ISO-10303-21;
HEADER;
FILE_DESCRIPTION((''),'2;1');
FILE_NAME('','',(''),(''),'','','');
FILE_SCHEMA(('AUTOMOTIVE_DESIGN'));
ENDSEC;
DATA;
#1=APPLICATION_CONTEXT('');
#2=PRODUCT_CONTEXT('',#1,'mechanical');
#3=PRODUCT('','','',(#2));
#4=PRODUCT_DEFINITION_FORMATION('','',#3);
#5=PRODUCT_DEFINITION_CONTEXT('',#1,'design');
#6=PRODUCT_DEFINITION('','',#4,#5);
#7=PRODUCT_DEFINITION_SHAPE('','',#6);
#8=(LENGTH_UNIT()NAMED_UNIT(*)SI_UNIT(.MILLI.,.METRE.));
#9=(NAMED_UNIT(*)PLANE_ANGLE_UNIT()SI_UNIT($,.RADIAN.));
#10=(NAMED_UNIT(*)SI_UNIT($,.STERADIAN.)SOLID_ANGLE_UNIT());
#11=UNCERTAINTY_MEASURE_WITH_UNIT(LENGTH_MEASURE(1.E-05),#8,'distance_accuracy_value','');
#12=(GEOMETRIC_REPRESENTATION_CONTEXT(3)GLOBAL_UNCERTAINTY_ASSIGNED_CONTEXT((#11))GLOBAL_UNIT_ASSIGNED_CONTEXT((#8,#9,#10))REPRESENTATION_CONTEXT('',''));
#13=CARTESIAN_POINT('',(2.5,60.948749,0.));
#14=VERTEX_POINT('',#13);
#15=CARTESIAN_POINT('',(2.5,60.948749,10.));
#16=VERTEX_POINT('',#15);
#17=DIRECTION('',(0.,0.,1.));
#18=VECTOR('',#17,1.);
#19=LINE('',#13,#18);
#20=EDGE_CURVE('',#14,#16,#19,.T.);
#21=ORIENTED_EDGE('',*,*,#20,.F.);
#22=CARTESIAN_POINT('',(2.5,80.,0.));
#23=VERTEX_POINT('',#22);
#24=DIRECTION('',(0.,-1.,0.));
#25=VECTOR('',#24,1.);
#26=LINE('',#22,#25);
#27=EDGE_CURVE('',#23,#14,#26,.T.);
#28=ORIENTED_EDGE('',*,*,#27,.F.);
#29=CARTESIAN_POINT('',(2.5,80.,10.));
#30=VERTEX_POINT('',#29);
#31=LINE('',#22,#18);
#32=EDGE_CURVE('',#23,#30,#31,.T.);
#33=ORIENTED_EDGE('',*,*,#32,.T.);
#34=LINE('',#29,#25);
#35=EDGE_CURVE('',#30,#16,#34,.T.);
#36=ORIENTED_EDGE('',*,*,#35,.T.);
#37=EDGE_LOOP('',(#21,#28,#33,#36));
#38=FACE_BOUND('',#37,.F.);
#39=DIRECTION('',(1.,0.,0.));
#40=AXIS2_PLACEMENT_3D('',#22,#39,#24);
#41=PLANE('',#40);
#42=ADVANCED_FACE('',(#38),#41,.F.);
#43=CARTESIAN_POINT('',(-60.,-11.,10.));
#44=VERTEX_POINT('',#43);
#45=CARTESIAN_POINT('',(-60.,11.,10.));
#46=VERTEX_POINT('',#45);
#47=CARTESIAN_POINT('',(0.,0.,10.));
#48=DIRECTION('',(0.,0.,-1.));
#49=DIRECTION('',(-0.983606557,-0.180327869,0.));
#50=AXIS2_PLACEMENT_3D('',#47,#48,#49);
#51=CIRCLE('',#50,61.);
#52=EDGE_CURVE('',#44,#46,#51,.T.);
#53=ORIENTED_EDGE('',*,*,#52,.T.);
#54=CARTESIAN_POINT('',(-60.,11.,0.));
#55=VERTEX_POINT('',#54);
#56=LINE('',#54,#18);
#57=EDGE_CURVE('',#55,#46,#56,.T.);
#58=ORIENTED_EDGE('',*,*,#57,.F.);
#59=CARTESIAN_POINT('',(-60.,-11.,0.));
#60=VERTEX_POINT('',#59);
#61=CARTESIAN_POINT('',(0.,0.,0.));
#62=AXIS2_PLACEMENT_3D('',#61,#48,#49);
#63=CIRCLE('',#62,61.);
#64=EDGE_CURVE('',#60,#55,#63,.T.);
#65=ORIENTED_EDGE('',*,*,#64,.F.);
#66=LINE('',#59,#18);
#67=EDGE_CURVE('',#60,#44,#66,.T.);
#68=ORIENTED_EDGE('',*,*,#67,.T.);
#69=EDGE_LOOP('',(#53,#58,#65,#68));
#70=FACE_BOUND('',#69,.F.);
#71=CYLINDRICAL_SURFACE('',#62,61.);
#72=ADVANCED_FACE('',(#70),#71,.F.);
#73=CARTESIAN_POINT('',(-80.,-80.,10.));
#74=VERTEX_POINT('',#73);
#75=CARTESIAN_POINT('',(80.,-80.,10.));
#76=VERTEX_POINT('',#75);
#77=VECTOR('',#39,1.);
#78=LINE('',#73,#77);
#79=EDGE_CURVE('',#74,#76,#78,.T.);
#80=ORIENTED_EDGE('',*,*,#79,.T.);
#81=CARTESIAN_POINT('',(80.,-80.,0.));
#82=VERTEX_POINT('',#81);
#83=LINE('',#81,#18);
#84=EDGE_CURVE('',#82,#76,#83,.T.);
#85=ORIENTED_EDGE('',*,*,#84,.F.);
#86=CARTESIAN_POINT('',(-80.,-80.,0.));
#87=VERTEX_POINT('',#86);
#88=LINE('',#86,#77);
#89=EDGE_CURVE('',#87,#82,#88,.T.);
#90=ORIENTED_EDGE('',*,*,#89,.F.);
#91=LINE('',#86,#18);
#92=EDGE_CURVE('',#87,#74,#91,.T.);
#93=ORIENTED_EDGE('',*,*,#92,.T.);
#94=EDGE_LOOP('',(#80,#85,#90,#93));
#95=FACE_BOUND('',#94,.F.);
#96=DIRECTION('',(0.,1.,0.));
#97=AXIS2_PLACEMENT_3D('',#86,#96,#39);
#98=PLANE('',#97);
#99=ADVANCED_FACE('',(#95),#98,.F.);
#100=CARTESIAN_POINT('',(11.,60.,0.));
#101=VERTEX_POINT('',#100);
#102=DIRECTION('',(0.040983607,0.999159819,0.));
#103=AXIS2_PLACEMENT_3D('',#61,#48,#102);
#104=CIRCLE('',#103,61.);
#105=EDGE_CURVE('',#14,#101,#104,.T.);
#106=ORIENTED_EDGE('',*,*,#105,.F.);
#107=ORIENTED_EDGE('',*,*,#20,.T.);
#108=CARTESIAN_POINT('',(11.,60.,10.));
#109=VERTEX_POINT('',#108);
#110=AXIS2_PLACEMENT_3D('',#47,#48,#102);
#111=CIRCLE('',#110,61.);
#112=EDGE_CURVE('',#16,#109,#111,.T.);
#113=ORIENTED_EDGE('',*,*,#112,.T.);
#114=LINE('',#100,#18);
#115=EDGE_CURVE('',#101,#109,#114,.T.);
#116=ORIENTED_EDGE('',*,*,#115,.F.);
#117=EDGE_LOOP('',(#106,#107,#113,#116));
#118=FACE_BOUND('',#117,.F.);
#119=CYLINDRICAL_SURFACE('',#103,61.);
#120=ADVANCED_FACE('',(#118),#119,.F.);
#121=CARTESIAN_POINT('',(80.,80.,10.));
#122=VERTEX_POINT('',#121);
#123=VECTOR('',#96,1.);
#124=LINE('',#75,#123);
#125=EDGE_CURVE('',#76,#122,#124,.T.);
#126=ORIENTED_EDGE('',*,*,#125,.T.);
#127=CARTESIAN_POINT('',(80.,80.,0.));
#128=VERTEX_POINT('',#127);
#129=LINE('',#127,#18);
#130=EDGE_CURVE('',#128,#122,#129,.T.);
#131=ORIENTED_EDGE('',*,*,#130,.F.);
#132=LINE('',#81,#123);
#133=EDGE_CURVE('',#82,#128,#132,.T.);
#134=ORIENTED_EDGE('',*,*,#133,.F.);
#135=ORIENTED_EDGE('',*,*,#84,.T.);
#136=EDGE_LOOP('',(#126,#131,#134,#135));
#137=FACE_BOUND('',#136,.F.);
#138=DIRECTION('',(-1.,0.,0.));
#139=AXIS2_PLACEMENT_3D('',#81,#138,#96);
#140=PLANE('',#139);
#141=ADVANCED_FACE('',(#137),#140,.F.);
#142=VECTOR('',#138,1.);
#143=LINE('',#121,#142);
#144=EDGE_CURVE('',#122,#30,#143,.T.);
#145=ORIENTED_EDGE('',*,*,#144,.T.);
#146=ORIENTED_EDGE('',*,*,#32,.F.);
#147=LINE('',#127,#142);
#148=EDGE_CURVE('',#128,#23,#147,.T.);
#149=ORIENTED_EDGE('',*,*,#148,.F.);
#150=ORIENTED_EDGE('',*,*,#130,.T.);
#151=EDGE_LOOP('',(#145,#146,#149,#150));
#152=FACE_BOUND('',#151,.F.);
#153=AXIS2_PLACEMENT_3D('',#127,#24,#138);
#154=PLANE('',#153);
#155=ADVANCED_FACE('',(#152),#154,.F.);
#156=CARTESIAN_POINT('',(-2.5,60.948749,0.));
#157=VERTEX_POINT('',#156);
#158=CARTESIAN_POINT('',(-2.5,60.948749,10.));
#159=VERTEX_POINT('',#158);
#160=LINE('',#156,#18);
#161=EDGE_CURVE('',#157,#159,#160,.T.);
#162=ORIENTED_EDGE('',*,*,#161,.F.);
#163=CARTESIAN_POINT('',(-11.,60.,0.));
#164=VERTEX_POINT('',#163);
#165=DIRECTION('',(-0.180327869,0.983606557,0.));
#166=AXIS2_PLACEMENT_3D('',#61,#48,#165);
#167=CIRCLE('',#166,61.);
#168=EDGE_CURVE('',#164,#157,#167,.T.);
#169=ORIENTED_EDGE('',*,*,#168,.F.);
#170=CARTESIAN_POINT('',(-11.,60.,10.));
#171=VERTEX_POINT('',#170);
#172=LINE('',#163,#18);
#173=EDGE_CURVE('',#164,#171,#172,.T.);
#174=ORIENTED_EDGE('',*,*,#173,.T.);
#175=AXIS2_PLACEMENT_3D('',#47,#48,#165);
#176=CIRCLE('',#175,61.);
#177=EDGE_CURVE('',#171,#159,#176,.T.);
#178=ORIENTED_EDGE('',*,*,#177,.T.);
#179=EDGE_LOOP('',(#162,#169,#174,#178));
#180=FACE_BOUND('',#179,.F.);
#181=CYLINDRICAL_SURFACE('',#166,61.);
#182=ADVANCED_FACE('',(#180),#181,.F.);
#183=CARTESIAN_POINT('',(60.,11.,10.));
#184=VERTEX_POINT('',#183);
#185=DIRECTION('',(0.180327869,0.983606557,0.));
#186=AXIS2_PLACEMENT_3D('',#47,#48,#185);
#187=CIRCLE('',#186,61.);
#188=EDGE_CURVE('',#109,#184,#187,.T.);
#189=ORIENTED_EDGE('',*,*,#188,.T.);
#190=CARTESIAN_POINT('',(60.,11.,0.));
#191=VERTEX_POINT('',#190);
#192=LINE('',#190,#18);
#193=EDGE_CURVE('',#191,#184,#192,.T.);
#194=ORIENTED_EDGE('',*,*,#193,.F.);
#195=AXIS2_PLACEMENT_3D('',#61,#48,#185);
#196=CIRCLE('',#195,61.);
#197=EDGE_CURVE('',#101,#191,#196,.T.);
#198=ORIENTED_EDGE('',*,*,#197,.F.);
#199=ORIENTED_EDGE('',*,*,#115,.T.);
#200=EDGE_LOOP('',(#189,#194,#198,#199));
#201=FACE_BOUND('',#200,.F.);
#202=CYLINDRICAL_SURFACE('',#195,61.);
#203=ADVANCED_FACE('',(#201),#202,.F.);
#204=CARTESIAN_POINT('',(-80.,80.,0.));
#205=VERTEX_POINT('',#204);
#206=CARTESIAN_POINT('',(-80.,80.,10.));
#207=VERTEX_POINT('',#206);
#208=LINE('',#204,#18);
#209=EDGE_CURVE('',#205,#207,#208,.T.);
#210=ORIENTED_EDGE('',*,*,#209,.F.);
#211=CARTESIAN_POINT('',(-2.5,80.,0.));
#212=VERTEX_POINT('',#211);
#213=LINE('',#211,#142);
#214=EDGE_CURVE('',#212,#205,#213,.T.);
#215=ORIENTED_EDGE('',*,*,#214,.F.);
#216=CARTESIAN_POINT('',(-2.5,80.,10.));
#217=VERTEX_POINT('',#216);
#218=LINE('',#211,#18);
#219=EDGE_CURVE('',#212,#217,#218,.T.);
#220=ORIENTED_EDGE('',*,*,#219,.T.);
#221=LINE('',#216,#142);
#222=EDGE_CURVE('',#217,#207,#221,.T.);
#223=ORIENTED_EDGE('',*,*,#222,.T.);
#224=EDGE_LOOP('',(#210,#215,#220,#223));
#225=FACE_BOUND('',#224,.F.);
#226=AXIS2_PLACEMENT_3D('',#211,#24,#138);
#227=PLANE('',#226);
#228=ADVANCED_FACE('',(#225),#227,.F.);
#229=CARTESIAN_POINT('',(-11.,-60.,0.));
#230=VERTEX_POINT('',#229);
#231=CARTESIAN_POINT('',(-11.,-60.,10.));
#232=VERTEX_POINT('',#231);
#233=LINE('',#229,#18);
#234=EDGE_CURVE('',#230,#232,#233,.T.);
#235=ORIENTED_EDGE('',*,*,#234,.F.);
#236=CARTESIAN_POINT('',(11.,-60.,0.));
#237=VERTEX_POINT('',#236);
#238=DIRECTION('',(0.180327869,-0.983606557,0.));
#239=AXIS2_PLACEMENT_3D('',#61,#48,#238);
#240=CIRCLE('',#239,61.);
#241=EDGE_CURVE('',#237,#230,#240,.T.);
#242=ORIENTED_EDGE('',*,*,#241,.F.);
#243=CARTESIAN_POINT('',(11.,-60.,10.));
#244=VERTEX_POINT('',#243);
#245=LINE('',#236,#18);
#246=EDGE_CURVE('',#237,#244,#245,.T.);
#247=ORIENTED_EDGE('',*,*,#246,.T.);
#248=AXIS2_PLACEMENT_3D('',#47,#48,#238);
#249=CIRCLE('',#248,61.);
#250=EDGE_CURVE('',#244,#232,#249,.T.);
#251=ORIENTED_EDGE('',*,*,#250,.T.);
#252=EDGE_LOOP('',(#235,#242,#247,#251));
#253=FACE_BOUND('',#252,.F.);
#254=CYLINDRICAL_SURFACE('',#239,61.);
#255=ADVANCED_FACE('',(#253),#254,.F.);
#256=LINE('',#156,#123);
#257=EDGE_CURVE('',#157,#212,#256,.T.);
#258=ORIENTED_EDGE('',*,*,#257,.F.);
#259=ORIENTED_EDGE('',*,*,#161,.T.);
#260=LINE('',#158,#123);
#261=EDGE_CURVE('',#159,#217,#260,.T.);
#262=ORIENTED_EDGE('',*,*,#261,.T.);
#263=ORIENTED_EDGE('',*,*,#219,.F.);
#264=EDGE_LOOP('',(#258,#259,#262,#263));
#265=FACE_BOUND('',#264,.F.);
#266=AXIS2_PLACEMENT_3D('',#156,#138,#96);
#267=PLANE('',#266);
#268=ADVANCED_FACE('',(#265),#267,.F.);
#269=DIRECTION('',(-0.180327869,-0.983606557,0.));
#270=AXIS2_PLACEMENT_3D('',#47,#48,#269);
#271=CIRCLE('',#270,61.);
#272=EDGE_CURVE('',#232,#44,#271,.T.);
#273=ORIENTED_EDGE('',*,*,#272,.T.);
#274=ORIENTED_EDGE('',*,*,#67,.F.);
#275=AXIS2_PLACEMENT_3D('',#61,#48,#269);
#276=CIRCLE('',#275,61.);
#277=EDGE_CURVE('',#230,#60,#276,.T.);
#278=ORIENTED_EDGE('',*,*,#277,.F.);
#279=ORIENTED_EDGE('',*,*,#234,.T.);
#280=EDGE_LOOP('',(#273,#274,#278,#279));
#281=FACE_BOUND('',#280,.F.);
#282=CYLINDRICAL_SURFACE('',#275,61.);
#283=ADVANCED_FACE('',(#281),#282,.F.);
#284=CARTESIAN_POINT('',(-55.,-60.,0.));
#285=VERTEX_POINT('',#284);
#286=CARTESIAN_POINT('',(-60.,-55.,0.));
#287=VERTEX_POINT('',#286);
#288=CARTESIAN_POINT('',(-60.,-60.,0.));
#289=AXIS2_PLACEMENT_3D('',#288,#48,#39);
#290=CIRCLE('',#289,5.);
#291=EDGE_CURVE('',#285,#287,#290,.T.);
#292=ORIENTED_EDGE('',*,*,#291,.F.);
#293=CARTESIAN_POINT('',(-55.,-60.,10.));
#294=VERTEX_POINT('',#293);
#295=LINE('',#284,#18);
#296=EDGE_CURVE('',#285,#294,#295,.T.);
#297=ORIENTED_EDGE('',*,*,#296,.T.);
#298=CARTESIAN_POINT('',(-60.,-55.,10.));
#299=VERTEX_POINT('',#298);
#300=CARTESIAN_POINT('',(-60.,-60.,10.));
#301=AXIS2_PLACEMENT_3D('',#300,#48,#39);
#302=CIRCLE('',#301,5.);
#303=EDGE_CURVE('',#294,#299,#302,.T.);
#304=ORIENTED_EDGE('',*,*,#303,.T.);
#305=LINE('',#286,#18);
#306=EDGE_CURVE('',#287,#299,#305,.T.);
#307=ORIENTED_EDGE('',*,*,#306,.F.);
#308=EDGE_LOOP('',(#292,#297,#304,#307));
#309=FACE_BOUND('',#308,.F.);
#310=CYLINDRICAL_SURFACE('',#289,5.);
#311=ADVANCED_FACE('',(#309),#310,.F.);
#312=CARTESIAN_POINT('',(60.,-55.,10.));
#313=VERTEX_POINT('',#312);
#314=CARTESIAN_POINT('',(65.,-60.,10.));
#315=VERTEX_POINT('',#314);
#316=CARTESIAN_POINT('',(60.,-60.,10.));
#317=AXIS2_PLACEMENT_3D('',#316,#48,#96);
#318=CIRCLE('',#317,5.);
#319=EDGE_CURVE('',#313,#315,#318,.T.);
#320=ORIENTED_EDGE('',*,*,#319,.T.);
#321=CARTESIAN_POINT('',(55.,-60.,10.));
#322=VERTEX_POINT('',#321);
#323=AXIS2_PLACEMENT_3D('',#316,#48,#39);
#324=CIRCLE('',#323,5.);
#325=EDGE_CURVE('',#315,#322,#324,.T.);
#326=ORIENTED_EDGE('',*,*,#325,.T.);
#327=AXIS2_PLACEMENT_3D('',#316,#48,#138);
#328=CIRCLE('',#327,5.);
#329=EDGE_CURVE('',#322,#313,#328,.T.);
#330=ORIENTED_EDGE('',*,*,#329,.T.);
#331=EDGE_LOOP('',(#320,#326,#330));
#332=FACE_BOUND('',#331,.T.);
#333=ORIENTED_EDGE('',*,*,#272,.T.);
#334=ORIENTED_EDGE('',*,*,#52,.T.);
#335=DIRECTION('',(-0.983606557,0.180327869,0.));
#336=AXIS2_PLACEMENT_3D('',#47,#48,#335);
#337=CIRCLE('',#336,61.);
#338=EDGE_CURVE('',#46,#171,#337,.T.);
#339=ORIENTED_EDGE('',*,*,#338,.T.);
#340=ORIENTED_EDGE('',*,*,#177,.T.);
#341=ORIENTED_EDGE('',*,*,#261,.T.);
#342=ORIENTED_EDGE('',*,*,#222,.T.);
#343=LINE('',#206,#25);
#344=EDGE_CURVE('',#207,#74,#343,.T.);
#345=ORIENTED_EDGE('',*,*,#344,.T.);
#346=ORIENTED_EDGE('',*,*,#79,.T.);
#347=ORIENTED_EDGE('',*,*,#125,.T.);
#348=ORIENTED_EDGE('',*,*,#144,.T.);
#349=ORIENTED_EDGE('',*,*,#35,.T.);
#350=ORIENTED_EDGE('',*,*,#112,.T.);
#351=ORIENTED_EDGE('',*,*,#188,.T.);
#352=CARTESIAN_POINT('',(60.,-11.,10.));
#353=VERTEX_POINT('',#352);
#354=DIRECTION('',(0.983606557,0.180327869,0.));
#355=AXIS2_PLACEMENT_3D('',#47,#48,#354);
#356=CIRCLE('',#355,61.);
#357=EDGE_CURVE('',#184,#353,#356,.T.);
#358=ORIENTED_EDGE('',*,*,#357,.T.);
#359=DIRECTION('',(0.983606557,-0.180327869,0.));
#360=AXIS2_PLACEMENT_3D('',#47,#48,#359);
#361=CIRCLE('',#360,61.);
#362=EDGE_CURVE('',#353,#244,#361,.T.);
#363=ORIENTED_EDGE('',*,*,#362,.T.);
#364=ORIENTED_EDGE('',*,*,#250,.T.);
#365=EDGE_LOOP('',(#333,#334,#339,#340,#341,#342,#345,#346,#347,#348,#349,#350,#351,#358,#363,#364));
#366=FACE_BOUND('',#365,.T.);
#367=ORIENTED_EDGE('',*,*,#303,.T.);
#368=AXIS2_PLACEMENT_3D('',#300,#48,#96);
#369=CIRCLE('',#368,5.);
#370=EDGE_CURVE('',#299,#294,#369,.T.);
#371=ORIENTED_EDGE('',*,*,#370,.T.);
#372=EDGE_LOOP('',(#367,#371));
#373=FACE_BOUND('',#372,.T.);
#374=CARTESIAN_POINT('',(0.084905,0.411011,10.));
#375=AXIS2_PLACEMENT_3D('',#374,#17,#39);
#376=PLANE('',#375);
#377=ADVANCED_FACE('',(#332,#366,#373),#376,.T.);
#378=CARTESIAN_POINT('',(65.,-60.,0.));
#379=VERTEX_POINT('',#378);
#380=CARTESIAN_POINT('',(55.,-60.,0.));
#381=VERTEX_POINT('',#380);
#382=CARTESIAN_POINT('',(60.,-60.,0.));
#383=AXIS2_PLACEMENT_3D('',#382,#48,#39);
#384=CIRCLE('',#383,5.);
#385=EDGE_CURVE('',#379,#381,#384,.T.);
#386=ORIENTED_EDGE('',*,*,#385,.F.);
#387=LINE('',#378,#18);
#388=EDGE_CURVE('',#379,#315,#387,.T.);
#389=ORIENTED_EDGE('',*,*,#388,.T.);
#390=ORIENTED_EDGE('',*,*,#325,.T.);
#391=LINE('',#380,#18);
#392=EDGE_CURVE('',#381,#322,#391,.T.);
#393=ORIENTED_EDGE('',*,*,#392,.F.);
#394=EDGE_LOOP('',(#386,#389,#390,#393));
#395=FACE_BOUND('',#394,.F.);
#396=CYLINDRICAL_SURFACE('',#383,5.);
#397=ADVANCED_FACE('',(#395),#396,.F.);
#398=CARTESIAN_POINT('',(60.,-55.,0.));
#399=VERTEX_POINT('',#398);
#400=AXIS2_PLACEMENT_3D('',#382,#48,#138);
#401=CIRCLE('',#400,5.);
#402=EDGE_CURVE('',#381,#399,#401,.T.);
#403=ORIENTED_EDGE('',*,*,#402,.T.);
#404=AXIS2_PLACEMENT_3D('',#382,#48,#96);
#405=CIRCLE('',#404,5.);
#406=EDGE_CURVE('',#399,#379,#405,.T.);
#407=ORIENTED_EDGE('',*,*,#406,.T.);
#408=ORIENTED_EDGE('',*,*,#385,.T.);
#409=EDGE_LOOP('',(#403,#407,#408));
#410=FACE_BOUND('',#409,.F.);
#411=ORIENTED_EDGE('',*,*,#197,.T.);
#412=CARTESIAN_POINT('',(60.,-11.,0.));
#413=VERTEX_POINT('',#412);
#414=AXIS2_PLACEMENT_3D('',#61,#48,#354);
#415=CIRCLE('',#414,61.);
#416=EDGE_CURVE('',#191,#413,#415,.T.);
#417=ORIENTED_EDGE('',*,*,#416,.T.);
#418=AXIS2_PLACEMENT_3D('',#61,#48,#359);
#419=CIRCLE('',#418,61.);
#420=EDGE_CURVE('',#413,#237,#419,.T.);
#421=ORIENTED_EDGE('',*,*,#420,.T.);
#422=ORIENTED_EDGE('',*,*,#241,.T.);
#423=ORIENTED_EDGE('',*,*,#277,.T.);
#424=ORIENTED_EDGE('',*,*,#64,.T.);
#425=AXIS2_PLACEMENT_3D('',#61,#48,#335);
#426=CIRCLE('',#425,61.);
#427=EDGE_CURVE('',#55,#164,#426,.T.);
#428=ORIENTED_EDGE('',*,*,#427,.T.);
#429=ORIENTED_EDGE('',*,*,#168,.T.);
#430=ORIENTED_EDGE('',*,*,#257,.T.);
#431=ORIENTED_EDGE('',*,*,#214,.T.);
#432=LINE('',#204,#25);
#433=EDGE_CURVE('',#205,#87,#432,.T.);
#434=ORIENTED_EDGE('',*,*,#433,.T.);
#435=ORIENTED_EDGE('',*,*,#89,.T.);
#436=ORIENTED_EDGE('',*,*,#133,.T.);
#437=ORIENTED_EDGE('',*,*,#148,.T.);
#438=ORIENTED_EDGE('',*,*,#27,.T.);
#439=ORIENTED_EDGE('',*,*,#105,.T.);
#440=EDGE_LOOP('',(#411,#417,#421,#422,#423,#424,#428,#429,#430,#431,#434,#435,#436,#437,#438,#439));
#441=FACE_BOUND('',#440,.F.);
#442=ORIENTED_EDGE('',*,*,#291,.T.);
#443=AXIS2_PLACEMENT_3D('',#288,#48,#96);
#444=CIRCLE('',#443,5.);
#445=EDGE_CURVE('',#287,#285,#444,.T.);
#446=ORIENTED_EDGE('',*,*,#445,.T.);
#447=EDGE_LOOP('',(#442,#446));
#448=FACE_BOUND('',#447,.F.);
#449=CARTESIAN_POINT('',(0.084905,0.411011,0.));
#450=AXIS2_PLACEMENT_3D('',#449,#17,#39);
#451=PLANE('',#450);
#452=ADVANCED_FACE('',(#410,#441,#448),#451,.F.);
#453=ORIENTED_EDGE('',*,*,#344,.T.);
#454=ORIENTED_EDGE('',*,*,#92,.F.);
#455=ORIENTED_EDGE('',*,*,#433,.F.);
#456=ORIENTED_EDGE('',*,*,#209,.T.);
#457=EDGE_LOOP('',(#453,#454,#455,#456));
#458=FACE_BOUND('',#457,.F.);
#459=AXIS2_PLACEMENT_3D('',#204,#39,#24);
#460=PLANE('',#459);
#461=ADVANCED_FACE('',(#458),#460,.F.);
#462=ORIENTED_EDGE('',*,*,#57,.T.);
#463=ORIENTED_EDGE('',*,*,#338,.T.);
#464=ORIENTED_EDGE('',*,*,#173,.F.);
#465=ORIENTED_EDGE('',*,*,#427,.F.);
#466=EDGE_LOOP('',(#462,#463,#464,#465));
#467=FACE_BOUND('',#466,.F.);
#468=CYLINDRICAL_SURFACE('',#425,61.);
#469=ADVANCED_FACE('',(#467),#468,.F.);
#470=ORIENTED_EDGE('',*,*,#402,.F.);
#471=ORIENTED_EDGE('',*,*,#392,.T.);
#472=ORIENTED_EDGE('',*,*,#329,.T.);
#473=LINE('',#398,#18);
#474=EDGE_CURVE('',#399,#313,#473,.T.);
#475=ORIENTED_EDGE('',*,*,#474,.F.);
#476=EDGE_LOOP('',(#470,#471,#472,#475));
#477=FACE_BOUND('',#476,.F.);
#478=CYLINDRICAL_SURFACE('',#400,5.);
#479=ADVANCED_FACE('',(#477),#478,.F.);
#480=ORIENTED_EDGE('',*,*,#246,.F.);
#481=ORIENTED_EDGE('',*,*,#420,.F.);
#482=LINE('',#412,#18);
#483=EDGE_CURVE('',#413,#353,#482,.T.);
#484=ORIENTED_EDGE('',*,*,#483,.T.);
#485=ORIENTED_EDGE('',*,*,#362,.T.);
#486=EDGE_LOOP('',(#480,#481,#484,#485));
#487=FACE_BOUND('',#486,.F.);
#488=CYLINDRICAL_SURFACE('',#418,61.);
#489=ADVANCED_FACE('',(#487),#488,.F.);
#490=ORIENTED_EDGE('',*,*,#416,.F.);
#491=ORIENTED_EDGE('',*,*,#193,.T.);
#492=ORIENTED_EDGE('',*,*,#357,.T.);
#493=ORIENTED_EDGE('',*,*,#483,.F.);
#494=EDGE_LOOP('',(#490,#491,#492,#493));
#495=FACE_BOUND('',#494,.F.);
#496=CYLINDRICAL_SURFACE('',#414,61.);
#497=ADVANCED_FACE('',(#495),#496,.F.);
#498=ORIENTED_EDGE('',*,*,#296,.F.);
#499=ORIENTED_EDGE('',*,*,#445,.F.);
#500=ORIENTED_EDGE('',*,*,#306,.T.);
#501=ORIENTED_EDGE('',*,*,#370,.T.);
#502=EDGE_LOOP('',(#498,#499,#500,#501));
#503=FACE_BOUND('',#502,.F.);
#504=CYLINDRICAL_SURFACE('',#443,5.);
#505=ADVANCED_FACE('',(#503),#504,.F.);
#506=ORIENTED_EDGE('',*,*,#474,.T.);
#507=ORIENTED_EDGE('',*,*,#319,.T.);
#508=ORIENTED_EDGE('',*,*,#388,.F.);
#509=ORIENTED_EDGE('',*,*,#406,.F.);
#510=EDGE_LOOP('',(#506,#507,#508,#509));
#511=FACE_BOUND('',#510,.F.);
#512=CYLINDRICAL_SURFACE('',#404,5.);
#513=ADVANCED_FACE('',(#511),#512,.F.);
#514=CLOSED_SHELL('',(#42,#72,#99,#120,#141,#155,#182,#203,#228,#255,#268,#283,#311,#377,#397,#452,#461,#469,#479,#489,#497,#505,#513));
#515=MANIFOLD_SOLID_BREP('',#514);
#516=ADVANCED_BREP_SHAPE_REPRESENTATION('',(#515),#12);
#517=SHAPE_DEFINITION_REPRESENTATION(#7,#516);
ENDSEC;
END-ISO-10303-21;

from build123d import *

# Parameters (mm, degrees)
F1_DEPTH = 10


with BuildPart() as f1:
    # F0 (on Top) → F1 (new body)
    with BuildSketch(Plane.XY):
        with BuildLine():
            Line((-80, 80), (-80, -80))
            Line((-80, -80), (80, -80))
            Line((80, -80), (80, 80))
            Line((80, 80), (2.5, 80))
            Line((2.5, 80), (2.5, 60.9487489617))
            ThreePointArc((2.5, 60.9487489617), (6.7666484428, 60.6235306531), (11, 60))
            Line((11, 60), (60, 60))
            Line((60, 60), (60, 11))
            ThreePointArc((60, 11), (61, 0), (60, -11))
            Line((60, -11), (60, -55))
            ThreePointArc((60, -55), (63.5355339059, -56.4644660941), (65, -60))
            ThreePointArc((65, -60), (60, -65), (55, -60))
            Line((55, -60), (11, -60))
            ThreePointArc((11, -60), (0, -61), (-11, -60))
            Line((-11, -60), (-55, -60))
            ThreePointArc((-55, -60), (-63.5355339059, -63.5355339059), (-60, -55))
            Line((-60, -55), (-60, -11))
            ThreePointArc((-60, -11), (-61, 0), (-60, 11))
            Line((-60, 11), (-60, 60))
            Line((-60, 60), (-11, 60))
            ThreePointArc((-11, 60), (-6.7666484428, 60.6235306531), (-2.5, 60.9487489617))
            Line((-2.5, 60.9487489617), (-2.5, 80))
            Line((-2.5, 80), (-80, 80))
        make_face()
        with BuildLine():
            Line((60, -55), (60, -11))
            ThreePointArc((60, -11), (43.1335136524, -43.1335136524), (11, -60))
            Line((11, -60), (55, -60))
            ThreePointArc((55, -60), (56.4644660941, -56.4644660941), (60, -55))
        make_face()
        with BuildLine():
            ThreePointArc((-11, -60), (-43.1335136524, -43.1335136524), (-60, -11))
            Line((-60, -11), (-60, -55))
            ThreePointArc((-60, -55), (-56.4644660941, -56.4644660941), (-55, -60))
            Line((-55, -60), (-11, -60))
        make_face()
        with BuildLine():
            ThreePointArc((-60, 11), (-43.1335136524, 43.1335136524), (-11, 60))
            Line((-11, 60), (-60, 60))
            Line((-60, 60), (-60, 11))
        make_face()
        with BuildLine():
            Line((60, 60), (11, 60))
            ThreePointArc((11, 60), (43.1335136524, 43.1335136524), (60, 11))
            Line((60, 11), (60, 60))
        make_face()
    extrude(amount=F1_DEPTH)


solid = f1.part
